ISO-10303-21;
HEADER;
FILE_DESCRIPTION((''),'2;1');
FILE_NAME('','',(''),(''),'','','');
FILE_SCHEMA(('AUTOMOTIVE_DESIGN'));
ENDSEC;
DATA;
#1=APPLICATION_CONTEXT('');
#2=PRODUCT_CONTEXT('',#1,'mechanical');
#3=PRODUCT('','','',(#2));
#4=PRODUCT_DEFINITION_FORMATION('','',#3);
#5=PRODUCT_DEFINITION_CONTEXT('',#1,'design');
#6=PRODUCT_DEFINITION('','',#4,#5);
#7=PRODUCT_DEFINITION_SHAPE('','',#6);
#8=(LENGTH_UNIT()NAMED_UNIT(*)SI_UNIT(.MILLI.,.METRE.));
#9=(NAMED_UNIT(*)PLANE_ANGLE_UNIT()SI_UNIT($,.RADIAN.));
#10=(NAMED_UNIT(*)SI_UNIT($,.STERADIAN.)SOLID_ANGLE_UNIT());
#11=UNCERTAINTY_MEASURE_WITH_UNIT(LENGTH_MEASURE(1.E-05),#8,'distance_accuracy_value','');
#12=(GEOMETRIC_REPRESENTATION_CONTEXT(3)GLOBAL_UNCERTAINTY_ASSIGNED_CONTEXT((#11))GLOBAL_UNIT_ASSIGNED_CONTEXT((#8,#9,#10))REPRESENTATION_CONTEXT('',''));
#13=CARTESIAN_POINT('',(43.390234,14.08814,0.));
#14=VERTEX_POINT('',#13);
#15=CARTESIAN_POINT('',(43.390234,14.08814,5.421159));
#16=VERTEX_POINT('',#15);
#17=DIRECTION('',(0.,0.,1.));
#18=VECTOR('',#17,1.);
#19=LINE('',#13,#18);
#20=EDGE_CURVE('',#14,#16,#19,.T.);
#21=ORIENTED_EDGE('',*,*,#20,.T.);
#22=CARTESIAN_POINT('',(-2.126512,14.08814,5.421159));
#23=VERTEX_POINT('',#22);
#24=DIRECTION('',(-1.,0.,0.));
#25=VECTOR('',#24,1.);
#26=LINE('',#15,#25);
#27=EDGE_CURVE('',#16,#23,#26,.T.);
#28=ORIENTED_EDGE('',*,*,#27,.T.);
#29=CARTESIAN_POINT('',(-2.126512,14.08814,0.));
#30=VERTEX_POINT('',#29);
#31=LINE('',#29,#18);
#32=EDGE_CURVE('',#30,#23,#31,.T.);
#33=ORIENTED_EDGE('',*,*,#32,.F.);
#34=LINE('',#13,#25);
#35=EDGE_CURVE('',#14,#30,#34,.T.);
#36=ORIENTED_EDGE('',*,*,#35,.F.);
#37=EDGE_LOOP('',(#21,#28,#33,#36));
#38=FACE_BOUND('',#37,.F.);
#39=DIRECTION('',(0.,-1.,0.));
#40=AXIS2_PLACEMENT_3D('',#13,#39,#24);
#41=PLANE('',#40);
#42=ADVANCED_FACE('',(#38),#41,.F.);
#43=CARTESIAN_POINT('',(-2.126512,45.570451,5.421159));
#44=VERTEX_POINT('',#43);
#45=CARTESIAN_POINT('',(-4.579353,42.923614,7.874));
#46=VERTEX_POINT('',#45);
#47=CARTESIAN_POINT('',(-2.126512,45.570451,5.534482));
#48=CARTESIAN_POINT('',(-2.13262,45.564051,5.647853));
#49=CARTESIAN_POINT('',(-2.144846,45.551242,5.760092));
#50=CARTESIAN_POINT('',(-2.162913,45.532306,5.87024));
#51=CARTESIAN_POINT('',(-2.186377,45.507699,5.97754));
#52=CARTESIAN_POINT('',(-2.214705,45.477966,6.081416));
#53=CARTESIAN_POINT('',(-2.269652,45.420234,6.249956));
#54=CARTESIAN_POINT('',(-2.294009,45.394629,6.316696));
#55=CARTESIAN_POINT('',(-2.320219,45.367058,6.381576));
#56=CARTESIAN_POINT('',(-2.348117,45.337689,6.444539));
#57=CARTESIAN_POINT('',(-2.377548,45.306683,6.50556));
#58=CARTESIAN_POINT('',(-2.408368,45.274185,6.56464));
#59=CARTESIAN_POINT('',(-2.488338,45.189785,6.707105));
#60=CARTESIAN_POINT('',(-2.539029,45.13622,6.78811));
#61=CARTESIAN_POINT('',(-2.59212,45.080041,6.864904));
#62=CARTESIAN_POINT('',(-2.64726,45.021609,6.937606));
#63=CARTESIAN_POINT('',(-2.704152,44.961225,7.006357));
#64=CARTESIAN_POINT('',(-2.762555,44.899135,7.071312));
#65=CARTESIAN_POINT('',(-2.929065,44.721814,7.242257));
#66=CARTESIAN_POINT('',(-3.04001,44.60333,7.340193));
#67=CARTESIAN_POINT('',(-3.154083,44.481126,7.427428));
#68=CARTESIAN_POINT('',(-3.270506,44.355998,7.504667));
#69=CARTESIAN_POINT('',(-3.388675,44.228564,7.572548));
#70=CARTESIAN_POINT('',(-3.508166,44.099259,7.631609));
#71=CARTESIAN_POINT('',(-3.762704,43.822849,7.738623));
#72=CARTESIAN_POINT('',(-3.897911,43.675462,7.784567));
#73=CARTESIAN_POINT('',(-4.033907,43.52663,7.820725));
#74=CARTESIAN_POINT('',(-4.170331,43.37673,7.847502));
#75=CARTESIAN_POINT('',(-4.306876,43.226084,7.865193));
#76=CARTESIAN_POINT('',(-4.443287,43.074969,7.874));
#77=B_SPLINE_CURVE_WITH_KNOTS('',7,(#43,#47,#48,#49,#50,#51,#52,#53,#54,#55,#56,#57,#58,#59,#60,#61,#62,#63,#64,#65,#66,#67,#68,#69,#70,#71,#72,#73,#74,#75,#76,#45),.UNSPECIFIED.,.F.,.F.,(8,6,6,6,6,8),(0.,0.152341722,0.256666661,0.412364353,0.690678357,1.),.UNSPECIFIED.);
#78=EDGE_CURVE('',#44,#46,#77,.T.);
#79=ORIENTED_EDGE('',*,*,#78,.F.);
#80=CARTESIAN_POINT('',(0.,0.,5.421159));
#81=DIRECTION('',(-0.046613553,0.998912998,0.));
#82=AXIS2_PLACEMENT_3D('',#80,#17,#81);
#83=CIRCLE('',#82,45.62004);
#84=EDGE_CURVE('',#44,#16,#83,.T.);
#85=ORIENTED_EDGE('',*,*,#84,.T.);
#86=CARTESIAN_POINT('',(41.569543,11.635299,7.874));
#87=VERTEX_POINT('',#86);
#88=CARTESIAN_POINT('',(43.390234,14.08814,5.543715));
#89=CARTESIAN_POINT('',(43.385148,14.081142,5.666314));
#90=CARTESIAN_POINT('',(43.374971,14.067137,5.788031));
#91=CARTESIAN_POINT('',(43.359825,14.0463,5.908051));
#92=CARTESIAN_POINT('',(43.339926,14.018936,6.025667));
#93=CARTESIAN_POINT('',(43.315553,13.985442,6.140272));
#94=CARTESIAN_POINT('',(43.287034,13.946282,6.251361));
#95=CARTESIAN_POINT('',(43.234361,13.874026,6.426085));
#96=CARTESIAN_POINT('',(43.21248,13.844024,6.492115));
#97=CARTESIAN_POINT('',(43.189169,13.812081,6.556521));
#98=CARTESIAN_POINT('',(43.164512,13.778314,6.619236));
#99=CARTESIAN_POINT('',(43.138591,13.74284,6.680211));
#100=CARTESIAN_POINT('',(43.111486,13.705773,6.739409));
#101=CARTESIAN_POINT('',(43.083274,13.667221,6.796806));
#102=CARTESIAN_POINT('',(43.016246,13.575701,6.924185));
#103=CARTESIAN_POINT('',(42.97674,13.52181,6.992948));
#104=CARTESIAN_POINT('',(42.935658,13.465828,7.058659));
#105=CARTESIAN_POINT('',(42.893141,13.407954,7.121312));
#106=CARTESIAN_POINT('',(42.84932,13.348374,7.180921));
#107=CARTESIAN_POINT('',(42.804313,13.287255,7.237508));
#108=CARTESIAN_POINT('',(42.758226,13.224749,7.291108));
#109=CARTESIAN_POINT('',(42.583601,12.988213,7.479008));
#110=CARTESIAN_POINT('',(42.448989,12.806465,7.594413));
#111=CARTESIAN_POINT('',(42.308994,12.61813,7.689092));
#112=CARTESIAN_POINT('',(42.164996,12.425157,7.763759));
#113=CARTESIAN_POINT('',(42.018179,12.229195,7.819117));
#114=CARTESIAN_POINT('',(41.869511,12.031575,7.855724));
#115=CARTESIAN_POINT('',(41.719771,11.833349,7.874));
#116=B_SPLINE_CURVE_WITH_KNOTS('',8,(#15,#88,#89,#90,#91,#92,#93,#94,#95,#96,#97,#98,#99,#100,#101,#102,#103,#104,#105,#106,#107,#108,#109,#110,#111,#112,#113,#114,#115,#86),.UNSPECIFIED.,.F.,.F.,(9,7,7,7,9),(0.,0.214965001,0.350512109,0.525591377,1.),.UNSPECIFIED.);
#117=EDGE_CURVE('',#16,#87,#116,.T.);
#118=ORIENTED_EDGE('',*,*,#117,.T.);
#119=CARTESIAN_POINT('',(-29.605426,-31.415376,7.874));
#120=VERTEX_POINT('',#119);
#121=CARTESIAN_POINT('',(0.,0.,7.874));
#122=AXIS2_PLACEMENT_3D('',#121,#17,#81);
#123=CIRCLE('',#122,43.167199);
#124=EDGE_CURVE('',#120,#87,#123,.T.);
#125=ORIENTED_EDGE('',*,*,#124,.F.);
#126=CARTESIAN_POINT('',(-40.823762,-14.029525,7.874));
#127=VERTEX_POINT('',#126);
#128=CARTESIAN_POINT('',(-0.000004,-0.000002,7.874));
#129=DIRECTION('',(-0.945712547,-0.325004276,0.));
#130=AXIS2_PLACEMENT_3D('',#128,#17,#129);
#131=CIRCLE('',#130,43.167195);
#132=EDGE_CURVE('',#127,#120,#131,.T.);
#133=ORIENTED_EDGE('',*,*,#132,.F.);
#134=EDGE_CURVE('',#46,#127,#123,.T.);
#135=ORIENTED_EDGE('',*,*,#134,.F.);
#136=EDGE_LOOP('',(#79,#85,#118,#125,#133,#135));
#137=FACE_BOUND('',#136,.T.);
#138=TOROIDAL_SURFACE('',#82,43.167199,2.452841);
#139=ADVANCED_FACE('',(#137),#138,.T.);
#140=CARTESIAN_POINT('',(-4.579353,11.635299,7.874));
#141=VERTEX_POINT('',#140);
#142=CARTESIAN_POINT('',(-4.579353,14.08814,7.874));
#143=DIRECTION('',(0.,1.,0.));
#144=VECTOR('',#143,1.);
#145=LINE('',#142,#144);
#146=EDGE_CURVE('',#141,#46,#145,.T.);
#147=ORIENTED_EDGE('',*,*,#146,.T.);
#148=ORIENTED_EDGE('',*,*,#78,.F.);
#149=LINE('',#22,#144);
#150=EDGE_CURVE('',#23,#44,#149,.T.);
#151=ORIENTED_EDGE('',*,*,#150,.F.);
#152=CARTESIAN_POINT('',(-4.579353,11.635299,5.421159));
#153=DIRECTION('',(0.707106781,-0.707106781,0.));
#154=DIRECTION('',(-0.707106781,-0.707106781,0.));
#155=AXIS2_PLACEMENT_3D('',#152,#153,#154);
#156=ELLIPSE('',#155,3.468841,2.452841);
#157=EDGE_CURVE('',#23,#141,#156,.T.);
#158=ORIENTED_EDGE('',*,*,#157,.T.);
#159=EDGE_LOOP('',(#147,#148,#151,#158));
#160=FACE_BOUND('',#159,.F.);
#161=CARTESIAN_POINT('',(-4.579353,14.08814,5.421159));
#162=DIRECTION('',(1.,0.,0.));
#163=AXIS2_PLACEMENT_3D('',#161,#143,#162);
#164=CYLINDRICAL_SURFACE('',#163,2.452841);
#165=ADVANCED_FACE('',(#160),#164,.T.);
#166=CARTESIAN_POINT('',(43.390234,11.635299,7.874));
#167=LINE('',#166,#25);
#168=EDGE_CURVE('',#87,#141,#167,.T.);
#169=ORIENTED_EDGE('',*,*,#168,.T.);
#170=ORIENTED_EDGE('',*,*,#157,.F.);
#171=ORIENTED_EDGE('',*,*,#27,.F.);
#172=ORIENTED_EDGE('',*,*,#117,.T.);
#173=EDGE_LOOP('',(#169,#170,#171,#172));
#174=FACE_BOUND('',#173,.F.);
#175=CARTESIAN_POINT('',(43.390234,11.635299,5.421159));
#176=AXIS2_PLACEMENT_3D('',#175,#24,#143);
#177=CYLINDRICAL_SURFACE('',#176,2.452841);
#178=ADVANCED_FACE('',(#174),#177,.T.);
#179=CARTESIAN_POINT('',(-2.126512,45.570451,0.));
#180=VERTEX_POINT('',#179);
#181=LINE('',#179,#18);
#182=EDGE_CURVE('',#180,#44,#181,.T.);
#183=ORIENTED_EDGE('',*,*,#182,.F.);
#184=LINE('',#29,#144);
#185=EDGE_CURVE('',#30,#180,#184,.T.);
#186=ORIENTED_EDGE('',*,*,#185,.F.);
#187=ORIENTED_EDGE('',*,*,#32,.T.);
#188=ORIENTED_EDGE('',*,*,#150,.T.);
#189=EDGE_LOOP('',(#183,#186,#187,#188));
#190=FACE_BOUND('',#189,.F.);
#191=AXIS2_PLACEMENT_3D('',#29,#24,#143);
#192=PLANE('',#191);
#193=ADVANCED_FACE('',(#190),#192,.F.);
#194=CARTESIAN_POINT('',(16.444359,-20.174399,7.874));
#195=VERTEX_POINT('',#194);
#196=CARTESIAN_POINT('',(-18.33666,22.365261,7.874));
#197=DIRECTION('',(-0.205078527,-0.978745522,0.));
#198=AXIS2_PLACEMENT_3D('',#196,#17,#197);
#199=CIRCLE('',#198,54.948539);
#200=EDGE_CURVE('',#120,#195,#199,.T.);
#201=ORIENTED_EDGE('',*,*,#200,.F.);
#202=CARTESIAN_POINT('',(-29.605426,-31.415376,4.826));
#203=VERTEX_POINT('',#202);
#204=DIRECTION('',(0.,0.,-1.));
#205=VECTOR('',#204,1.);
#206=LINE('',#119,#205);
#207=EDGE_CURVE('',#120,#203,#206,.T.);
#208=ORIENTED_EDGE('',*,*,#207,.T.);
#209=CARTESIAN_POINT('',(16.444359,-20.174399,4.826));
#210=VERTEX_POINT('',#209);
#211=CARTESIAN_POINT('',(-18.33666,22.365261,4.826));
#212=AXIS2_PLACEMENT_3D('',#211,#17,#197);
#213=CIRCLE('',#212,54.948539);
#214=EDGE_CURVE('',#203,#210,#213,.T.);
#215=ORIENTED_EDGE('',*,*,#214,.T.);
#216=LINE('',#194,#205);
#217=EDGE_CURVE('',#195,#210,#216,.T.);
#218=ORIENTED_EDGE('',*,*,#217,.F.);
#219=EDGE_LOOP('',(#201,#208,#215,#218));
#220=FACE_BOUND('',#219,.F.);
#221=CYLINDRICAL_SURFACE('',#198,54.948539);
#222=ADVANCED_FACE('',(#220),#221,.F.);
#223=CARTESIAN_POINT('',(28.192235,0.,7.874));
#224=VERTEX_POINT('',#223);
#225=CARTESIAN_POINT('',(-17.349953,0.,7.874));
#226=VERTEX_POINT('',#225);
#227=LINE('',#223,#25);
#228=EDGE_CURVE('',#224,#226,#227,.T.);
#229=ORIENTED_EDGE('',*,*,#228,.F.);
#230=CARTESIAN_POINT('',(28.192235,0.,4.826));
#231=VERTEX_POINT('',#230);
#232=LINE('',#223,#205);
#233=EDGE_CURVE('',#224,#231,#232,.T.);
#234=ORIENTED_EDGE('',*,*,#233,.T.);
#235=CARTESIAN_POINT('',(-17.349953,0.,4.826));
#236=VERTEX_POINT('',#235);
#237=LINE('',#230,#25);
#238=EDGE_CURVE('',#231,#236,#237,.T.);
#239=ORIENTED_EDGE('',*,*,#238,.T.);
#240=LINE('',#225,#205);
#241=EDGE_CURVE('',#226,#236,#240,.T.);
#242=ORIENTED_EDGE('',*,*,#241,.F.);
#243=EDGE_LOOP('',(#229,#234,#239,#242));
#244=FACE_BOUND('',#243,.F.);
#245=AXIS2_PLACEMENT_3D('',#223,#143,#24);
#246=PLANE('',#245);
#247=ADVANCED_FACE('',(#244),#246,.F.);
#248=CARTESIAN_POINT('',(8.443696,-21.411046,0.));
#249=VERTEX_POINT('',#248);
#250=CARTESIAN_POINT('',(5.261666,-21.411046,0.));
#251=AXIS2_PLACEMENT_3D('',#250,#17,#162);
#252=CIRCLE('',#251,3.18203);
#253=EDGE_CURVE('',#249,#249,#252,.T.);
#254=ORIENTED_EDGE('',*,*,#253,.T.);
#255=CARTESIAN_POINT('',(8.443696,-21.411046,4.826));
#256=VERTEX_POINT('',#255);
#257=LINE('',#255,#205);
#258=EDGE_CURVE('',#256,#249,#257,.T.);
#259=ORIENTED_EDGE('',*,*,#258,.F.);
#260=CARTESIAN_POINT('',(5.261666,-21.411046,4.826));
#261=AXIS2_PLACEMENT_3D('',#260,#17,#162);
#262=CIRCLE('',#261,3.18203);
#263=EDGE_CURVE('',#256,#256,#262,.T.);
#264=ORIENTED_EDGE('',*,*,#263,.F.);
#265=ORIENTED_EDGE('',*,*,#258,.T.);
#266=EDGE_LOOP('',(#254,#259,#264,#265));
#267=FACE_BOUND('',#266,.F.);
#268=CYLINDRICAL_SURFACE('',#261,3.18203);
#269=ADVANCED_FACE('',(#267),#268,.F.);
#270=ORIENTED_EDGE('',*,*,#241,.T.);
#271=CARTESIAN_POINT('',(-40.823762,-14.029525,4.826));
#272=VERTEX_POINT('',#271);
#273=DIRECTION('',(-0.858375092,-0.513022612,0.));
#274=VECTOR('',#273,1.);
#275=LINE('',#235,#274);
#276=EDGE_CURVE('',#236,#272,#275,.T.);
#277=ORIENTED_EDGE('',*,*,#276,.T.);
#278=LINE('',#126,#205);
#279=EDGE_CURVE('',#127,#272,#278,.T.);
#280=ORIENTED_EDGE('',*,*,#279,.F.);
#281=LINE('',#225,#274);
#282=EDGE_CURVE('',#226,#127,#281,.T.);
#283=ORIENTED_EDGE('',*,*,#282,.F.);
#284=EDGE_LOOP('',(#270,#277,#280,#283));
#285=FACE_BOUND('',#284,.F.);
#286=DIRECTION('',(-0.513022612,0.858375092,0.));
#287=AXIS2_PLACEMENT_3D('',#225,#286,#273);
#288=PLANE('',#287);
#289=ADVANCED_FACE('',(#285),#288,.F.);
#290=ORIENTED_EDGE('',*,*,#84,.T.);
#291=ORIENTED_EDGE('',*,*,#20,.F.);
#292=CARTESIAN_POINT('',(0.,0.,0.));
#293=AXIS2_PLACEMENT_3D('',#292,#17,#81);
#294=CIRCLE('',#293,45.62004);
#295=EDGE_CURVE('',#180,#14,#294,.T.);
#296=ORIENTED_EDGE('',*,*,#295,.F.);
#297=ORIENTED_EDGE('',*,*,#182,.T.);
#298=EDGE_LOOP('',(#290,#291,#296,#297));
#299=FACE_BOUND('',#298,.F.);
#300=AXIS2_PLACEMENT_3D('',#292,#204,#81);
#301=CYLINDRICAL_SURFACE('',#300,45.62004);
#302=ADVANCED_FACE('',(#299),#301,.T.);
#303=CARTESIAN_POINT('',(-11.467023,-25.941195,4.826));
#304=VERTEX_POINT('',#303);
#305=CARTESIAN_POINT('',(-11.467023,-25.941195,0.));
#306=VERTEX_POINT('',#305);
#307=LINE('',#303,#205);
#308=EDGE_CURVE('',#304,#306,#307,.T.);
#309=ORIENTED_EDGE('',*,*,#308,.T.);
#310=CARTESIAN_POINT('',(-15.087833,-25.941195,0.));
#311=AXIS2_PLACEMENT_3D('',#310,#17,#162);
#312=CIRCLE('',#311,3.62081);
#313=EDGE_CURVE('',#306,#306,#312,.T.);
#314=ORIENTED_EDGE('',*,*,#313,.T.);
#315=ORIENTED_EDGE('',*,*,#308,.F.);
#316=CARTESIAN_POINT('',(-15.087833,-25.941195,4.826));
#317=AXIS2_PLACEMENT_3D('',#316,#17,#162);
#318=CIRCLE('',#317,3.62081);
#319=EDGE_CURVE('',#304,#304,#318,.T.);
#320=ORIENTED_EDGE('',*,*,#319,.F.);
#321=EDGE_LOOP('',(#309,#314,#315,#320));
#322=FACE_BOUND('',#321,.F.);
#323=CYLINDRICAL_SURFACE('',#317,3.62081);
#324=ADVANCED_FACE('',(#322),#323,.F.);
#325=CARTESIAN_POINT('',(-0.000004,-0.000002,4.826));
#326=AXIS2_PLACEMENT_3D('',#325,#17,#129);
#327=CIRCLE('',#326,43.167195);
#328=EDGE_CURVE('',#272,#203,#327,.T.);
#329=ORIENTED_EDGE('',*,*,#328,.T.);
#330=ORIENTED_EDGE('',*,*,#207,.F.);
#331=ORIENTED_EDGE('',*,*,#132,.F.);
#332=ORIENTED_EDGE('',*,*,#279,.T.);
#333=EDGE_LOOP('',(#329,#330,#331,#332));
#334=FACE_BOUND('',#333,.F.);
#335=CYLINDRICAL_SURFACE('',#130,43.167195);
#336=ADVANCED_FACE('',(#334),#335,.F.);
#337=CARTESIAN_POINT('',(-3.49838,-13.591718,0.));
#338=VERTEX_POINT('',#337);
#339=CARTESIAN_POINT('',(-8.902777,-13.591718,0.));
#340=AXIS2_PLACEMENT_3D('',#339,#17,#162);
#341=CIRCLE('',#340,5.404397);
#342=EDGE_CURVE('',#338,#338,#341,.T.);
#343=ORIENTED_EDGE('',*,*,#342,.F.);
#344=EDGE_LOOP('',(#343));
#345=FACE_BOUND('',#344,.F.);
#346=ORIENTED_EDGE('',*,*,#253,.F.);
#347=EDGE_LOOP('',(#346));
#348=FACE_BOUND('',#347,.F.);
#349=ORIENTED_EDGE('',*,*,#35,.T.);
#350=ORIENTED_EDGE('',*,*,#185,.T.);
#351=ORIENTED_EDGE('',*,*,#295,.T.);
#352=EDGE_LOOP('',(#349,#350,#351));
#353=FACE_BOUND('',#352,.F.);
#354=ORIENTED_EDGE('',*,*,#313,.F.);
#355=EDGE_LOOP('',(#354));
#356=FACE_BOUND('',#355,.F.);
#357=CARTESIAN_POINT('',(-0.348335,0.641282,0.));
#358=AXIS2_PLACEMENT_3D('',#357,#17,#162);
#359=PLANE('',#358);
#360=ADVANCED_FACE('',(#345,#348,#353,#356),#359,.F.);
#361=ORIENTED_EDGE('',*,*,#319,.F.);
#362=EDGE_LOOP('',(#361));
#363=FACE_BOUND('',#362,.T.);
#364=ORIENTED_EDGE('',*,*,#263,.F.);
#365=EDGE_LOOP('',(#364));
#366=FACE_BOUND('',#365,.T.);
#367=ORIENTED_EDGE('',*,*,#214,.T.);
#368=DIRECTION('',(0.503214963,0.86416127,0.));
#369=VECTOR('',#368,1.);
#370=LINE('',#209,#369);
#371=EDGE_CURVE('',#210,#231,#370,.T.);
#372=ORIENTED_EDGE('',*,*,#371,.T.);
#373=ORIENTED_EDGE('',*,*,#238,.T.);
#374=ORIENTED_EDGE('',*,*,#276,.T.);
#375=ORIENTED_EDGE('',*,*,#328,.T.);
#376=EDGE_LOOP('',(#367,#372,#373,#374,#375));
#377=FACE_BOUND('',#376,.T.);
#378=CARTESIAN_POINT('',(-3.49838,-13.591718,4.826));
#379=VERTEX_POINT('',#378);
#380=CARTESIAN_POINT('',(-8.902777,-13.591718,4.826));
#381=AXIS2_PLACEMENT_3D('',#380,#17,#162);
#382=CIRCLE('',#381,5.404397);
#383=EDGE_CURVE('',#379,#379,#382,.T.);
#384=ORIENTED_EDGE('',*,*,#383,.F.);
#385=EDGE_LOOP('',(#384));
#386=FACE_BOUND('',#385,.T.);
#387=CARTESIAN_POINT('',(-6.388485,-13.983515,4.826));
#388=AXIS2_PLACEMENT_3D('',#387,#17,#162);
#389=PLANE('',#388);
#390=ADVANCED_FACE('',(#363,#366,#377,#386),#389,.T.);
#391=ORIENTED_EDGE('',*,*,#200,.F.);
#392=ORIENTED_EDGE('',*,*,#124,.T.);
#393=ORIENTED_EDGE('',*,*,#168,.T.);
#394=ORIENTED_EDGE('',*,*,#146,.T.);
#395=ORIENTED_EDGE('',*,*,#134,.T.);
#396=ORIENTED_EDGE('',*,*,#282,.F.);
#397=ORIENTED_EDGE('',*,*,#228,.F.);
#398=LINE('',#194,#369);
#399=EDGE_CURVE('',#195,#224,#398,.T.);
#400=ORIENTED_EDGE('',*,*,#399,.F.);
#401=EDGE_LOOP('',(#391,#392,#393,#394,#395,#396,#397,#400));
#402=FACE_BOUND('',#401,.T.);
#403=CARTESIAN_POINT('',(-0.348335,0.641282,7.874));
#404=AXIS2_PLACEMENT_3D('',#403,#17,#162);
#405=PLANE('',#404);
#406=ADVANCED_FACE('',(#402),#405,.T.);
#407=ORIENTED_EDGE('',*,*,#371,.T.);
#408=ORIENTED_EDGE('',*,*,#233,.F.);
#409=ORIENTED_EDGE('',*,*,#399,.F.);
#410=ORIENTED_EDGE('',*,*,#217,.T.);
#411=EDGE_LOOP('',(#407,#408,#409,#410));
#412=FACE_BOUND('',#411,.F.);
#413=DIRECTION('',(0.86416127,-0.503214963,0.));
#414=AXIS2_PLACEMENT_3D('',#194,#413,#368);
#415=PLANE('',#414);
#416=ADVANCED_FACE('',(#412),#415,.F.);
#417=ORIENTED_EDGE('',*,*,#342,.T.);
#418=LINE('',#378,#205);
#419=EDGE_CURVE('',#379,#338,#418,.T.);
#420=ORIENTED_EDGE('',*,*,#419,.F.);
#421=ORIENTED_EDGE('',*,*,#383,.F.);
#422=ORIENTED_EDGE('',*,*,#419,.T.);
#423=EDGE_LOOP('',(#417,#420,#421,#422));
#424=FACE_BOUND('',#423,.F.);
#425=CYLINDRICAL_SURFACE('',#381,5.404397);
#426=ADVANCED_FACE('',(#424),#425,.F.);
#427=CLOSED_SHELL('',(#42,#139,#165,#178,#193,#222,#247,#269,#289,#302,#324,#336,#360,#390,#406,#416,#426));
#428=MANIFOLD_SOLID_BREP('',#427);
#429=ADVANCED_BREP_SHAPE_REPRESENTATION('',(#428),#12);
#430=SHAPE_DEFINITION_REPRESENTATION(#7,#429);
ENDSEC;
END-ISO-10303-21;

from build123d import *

# Parameters (mm, degrees)
F1_DEPTH = 7.874
F2_R     = 2.452841
F4_DEPTH = 3.048
F5_R     = 5.404397
F5_R_2   = 3.62081
F5_R_3   = 3.18203
F6_DEPTH = 25.4


with BuildPart() as f1:
    # F0 (on Top) → F1 (new body)
    with BuildSketch(Plane.XY):
        with BuildLine():
            Line((-2.126512, 14.08814), (-2.126512, 45.570451))
            ThreePointArc((-2.126512, 45.570451), (-25.951063, -37.519734), (43.390234, 14.08814))
            Line((43.390234, 14.08814), (-2.126512, 14.08814))
        make_face()
    extrude(amount=F1_DEPTH)

    # F2
    f2_edges = [f1.edges().sort_by_distance(p)[0] for p in [
        (20.631861, 14.08814, 7.874),
        (-2.126512, 29.829296, 7.874),
        (-25.951063, -37.519734, 7.874),
    ]]
    fillet(f2_edges, radius=F2_R)

    # F3 (on face) → F4 (cut)
    with BuildSketch(Plane.XY.offset(7.874)):
        with BuildLine():
            ThreePointArc((-40.823762, -14.029525), (-36.271678, -23.40454), (-29.605426, -31.415376))
            ThreePointArc((-29.605426, -31.415376), (-5.306065, -31.015874), (16.444359, -20.174399))
            Line((16.444359, -20.174399), (28.192235, 0))
            Line((28.192235, 0), (-17.349953, 0))
            Line((-17.349953, 0), (-40.823762, -14.029525))
        make_face()
    extrude(amount=-F4_DEPTH, mode=Mode.SUBTRACT)

    # F5 (on face) → F6 (cut)
    with BuildSketch(Plane.XY.offset(4.826)):
        with Locations((-8.902777, -13.591718)):
            Circle(F5_R)
        with Locations((-15.087833, -25.941195)):
            Circle(F5_R_2)
        with Locations((5.261666, -21.411046)):
            Circle(F5_R_3)
    extrude(amount=-F6_DEPTH, mode=Mode.SUBTRACT)


solid = f1.part
